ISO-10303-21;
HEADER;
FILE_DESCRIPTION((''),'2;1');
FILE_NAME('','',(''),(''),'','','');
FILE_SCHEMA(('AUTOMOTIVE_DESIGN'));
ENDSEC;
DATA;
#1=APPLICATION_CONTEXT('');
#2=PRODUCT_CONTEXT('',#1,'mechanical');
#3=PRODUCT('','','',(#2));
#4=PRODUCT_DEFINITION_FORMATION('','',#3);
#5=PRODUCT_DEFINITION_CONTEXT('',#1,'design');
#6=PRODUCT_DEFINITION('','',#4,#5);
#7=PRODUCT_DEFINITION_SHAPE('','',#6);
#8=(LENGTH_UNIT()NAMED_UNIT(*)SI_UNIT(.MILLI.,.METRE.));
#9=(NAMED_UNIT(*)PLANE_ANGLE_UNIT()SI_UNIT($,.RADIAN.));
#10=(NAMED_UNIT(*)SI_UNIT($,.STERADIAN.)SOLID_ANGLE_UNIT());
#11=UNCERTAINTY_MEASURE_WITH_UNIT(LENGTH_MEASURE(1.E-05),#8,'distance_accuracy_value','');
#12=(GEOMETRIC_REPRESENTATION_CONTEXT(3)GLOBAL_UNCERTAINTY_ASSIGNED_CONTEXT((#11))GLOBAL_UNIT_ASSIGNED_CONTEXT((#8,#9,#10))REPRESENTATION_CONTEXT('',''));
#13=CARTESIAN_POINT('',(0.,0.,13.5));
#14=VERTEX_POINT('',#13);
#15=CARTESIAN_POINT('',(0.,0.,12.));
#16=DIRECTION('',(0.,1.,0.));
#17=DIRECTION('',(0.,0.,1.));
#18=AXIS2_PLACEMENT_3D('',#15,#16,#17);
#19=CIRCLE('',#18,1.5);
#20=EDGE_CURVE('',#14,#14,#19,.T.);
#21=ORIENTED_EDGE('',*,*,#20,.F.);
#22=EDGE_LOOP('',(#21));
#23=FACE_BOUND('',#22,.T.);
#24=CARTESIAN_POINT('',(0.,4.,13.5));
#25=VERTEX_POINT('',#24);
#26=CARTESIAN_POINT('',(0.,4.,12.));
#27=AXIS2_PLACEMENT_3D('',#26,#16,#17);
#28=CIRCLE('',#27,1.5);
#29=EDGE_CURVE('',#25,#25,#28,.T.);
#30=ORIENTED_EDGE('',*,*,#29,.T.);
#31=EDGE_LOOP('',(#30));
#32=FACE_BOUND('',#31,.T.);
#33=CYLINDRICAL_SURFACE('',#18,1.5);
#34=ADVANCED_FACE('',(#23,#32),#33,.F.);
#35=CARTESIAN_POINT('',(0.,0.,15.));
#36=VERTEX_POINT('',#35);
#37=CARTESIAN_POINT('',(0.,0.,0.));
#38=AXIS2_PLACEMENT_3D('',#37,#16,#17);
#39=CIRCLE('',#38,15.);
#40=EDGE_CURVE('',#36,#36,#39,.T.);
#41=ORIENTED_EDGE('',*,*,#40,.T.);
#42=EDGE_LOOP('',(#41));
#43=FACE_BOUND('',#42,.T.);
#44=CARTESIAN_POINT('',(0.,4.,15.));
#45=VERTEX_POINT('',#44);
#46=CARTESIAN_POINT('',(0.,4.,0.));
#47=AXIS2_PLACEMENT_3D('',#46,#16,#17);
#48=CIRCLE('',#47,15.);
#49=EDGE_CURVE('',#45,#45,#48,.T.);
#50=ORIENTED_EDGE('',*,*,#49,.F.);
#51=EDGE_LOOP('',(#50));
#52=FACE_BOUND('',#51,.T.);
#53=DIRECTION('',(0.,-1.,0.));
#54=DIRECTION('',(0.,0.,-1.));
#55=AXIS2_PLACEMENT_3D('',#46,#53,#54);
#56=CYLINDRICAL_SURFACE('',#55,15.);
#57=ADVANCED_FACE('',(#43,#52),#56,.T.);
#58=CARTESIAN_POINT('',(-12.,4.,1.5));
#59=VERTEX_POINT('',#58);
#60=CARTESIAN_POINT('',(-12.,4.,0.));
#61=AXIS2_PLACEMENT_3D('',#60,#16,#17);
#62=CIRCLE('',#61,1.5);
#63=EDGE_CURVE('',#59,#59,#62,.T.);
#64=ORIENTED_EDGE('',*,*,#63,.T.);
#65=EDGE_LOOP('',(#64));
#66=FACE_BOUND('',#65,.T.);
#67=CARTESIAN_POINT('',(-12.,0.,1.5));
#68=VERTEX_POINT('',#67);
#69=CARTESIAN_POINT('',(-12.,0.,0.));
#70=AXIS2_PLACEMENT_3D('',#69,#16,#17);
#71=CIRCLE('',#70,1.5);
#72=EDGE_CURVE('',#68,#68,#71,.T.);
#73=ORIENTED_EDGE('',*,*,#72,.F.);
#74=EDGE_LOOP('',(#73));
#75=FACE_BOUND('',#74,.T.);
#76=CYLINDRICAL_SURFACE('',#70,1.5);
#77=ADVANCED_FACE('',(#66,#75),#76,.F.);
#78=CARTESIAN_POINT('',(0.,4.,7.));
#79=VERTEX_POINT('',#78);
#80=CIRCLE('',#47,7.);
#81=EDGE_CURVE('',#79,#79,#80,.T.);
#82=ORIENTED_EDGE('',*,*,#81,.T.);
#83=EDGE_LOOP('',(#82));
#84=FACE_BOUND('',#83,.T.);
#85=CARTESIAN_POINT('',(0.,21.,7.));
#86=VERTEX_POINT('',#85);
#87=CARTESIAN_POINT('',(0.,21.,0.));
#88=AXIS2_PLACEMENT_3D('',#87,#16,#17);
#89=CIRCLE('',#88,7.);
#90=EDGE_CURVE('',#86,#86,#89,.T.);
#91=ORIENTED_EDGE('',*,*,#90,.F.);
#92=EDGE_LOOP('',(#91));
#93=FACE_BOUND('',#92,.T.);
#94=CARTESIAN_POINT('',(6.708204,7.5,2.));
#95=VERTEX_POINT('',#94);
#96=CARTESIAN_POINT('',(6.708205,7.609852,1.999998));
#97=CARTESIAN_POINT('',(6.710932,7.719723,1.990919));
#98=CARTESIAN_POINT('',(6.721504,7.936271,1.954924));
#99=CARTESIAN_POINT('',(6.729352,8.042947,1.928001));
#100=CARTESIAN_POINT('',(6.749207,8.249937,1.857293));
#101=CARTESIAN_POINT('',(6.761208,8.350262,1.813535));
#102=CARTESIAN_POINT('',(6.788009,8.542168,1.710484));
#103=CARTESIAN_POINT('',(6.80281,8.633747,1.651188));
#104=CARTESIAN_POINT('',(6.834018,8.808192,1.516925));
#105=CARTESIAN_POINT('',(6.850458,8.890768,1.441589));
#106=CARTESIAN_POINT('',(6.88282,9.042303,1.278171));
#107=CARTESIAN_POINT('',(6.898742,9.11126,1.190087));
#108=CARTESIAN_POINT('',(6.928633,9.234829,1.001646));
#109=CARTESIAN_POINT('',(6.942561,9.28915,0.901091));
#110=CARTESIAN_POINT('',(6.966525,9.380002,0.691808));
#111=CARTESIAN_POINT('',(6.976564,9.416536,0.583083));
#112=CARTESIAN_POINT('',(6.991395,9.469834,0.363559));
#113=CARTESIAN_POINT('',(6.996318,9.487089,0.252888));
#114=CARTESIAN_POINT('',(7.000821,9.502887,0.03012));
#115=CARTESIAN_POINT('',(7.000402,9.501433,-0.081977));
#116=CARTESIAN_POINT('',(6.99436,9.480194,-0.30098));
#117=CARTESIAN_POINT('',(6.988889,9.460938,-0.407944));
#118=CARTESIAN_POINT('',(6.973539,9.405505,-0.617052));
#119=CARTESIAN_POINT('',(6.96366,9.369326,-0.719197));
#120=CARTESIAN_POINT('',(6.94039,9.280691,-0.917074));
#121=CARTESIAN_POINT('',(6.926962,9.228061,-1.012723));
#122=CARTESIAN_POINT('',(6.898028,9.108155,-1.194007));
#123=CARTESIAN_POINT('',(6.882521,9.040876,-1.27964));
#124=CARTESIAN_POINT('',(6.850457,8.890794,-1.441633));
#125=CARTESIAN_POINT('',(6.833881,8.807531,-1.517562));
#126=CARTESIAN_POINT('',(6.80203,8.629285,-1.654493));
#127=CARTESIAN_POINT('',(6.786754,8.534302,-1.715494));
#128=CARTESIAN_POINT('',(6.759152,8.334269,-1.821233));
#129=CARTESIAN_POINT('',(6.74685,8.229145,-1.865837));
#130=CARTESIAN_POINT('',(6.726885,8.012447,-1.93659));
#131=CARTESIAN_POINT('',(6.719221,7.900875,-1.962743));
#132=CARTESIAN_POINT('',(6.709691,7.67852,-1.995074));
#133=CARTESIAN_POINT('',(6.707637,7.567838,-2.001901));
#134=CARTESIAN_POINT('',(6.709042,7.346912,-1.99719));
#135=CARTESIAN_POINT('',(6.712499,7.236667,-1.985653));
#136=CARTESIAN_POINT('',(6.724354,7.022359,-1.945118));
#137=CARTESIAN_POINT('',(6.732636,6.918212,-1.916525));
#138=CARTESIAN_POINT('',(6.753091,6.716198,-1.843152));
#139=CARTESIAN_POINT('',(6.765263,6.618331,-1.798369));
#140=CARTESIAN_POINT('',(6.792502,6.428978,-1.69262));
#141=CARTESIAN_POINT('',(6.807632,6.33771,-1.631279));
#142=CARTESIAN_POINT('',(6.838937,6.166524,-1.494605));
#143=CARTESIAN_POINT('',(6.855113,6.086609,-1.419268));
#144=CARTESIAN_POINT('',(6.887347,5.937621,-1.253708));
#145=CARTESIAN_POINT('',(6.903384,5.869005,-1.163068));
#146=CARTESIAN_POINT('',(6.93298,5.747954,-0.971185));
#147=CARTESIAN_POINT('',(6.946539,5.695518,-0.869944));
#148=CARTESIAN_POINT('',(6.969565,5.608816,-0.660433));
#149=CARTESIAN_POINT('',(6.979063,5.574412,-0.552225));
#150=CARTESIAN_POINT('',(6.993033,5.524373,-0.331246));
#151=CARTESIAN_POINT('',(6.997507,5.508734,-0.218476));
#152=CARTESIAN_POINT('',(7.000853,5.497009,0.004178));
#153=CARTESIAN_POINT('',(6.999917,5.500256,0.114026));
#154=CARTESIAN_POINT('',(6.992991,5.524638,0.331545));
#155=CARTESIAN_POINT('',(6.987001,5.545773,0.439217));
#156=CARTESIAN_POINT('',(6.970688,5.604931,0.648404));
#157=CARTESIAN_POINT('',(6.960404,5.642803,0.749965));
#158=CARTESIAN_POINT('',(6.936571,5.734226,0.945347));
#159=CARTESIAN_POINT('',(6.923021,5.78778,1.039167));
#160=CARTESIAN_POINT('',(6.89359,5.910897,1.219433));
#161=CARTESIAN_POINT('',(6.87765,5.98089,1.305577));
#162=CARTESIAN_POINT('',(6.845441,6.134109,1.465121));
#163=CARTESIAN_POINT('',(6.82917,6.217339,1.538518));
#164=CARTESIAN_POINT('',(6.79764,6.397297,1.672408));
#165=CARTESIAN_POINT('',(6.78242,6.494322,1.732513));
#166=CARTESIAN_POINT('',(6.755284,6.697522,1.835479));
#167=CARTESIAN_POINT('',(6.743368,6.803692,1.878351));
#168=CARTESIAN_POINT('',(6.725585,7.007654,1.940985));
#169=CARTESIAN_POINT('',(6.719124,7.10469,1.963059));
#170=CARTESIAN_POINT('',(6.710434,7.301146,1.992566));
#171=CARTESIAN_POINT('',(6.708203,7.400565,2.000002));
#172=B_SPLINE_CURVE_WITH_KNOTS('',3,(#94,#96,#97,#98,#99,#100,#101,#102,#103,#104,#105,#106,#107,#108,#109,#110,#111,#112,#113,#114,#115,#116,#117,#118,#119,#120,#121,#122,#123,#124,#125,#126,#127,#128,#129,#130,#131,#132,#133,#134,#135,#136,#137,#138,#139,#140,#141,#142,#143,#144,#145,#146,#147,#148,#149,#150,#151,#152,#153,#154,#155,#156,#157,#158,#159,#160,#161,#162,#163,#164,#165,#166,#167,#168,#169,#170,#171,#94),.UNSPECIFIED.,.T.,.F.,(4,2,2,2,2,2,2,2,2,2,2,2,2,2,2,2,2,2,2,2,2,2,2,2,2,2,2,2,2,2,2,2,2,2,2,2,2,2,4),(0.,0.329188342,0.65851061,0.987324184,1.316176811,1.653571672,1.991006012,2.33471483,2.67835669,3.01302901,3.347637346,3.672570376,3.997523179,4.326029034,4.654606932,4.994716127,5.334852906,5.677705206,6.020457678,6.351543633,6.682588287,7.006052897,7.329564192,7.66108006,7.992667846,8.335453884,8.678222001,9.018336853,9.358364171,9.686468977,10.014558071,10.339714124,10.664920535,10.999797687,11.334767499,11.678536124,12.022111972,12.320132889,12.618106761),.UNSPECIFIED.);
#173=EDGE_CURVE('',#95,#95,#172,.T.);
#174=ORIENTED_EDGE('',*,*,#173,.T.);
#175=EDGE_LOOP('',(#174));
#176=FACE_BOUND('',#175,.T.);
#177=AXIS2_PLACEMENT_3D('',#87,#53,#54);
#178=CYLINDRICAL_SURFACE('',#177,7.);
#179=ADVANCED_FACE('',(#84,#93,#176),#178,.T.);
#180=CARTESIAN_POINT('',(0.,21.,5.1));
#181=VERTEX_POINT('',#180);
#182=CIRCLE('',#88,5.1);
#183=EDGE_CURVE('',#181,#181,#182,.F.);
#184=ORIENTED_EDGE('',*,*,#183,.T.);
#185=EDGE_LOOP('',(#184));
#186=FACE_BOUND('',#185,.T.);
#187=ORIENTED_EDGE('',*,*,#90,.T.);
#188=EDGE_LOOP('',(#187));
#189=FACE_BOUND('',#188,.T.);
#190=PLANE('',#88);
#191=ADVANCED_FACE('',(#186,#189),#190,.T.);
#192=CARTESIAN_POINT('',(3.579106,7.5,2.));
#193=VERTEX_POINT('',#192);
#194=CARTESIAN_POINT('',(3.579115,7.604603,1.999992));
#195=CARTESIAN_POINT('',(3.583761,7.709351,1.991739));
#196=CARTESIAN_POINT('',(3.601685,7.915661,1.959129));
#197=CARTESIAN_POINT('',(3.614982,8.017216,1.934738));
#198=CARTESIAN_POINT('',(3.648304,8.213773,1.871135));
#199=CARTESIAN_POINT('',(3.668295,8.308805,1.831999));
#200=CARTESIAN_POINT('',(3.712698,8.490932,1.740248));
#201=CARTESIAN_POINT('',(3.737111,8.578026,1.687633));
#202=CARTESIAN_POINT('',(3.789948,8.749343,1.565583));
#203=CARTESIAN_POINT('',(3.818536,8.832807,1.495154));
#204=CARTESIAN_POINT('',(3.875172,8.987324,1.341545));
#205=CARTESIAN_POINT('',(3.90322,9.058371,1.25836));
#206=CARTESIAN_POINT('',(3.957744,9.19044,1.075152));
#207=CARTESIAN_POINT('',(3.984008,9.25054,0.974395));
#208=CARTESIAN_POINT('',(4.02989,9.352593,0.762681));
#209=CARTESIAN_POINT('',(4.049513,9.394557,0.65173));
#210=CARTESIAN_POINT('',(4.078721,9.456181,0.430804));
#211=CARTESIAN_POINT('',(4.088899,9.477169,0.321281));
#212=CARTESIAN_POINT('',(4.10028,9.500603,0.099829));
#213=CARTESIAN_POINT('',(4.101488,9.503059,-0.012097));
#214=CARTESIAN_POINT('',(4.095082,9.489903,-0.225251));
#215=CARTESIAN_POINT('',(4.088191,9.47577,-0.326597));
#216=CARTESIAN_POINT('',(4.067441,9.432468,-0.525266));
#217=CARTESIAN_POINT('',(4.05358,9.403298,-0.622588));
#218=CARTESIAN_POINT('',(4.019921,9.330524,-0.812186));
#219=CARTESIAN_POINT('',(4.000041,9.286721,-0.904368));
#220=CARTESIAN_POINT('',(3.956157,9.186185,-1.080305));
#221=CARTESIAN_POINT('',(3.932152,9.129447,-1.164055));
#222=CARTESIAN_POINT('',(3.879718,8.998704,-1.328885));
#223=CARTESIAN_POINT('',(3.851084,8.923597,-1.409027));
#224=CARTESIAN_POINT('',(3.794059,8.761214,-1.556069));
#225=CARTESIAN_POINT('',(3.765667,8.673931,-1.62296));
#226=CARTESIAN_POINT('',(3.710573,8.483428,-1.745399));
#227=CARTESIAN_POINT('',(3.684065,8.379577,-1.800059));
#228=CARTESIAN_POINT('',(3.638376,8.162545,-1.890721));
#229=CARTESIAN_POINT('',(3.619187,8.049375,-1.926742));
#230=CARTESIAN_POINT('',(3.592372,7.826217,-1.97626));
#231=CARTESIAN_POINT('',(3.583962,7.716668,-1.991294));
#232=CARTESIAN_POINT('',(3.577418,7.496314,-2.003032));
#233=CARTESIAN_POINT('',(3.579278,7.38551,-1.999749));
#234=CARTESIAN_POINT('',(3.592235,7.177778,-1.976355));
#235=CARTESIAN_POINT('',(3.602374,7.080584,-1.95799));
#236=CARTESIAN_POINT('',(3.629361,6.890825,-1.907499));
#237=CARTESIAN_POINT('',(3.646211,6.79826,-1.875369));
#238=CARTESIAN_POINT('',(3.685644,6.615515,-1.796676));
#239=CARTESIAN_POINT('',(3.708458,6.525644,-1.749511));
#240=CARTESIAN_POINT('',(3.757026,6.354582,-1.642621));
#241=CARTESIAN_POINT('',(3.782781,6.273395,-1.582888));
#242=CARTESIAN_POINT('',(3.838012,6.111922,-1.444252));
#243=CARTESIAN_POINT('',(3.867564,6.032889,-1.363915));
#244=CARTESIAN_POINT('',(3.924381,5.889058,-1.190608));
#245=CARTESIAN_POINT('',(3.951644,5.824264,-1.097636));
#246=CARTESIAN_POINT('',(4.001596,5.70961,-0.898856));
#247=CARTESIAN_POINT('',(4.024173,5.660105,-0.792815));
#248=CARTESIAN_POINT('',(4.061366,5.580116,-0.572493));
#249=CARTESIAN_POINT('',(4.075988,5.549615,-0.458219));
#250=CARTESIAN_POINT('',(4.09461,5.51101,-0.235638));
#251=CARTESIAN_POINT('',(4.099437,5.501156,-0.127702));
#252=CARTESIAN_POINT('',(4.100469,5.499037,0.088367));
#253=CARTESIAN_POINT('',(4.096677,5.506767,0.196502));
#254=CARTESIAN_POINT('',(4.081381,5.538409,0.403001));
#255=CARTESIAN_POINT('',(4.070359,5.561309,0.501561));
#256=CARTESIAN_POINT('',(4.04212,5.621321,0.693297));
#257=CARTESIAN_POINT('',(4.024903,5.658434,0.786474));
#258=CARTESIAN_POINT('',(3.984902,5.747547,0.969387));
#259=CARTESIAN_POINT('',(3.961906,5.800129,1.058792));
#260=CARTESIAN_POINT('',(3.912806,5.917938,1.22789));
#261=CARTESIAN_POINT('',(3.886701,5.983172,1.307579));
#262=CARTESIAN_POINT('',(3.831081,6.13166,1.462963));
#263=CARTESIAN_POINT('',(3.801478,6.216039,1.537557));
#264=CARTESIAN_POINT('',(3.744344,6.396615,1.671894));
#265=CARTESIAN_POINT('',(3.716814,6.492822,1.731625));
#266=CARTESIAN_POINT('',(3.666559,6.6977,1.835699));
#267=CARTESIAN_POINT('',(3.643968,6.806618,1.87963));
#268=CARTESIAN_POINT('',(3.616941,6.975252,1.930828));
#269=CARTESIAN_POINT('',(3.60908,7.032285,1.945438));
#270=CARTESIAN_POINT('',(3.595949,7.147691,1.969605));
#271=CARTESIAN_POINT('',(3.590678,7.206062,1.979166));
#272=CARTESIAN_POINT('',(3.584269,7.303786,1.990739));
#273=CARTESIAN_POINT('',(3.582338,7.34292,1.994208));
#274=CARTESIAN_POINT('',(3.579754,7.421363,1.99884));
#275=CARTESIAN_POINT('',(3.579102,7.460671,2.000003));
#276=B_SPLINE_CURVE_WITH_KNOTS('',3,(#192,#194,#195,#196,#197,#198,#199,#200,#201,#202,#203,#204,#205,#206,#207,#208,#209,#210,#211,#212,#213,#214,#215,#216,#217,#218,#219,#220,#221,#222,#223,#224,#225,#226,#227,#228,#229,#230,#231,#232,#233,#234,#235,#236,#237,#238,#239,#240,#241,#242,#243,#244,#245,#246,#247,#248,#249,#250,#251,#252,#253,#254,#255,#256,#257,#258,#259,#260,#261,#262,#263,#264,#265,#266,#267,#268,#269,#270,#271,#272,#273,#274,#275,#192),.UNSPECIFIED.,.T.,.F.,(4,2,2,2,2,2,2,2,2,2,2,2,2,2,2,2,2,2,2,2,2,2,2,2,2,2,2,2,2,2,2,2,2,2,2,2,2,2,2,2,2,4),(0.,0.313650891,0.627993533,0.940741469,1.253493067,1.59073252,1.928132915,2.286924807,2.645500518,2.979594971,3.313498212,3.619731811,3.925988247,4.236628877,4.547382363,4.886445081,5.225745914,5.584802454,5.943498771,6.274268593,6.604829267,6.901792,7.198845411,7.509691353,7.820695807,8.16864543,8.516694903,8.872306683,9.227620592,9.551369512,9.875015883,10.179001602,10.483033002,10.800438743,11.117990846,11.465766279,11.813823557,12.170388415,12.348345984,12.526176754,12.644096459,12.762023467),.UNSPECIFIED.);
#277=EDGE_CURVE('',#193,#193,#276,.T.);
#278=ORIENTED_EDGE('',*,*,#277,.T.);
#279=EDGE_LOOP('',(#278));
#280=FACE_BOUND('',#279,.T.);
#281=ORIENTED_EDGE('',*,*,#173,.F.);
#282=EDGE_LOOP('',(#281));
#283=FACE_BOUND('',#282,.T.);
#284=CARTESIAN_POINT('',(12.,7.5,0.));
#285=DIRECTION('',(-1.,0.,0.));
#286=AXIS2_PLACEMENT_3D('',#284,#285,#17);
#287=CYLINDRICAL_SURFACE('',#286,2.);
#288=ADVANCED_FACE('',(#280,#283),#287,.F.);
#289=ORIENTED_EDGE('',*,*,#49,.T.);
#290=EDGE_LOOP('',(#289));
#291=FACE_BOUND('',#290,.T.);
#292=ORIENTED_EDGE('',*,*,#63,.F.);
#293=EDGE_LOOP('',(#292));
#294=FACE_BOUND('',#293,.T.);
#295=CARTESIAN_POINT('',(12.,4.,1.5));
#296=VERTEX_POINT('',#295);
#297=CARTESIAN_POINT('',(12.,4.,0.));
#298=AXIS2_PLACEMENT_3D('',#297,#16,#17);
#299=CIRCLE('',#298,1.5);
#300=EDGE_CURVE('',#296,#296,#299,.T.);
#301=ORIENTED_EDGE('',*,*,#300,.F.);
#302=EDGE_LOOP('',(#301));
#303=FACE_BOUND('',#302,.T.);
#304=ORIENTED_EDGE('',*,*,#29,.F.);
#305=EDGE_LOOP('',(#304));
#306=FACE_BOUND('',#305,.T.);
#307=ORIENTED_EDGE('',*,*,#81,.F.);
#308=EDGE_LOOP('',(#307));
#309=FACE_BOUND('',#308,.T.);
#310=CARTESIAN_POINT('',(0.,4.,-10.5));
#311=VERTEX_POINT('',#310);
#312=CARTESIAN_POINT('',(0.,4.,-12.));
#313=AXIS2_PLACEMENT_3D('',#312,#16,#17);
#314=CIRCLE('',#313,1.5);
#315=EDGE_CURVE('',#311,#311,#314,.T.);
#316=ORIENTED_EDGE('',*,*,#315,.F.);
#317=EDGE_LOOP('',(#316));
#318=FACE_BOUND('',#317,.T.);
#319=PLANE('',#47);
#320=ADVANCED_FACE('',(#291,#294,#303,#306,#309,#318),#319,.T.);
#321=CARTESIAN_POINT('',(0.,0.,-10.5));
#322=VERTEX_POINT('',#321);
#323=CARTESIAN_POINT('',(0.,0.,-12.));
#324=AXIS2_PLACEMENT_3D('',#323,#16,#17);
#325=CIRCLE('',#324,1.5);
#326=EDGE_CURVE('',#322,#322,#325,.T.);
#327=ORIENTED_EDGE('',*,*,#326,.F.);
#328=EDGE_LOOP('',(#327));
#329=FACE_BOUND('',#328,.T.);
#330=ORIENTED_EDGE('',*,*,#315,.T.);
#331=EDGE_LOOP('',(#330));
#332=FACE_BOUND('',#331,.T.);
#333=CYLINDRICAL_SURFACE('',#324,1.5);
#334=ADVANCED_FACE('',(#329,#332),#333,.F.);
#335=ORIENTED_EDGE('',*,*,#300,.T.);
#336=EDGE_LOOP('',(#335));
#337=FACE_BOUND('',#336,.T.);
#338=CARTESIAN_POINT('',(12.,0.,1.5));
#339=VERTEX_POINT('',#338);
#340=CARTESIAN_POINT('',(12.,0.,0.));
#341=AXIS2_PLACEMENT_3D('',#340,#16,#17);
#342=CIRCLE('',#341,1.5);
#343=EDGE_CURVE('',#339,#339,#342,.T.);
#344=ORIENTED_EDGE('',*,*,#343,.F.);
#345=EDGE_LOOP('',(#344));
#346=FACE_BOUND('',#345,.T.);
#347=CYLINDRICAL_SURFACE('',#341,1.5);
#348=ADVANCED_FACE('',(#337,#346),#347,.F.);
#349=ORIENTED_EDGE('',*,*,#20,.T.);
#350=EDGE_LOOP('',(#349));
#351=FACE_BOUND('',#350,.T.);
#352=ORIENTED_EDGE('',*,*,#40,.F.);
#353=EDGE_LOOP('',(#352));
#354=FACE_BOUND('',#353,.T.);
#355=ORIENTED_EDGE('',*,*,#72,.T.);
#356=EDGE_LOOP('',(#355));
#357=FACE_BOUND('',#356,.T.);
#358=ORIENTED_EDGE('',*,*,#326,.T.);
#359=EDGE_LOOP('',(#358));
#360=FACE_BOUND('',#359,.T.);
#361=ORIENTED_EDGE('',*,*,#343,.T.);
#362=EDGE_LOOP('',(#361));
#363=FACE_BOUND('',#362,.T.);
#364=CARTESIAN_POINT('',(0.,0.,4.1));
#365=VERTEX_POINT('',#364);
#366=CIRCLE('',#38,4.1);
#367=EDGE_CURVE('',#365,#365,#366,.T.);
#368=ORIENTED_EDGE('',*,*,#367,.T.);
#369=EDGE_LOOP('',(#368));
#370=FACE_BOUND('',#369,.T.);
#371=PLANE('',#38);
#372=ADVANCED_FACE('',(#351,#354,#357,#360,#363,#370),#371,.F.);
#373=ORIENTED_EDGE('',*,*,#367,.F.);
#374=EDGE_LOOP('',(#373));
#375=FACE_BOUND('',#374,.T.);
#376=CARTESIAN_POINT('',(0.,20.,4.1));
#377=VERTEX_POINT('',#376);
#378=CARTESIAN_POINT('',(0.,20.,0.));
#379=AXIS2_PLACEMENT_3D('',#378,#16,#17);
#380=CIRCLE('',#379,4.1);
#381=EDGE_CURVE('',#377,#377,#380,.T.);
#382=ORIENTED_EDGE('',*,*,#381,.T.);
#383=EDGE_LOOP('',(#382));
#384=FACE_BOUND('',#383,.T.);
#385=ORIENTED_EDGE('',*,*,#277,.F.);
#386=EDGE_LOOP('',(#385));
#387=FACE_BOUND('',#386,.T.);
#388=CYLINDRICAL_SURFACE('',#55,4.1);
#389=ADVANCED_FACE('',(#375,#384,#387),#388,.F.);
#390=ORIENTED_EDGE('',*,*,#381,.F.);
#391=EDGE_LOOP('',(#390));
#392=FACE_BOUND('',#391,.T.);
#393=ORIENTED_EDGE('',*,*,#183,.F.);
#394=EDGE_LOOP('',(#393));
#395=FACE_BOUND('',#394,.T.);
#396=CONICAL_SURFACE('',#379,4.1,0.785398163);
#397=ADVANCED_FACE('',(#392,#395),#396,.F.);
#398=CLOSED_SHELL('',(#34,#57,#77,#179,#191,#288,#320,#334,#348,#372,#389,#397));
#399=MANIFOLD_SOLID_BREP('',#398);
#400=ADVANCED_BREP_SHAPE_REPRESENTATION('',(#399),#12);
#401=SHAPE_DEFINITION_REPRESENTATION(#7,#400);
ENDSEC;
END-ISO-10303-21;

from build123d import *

# Parameters (mm, degrees)
SKETCH_1_R          = 15
SKETCH_1_R_2        = 4.1
EXTRUDE_1_DEPTH     = 4
SKETCH_2_R          = 7
SKETCH_2_R_2        = 4.1
EXTRUDE_2_DEPTH     = 17
SKETCH_5_R          = 2
CUT_EXTRUDE_1_DEPTH = 12
SKETCH_7_R          = 1.5
CUT_EXTRUDE_3_DEPTH = 4
CHAMFER_1_SIZE      = 1


with BuildPart() as part:
    # 草图1 → 凸台-拉伸1 (new body)
    with BuildSketch(Plane(origin=(0, 0, 0), x_dir=(1, 0, 0), z_dir=(0, 1, 0))):
        Circle(SKETCH_1_R)
        Circle(SKETCH_1_R_2, mode=Mode.SUBTRACT)
    extrude(amount=EXTRUDE_1_DEPTH)

    # 草图2 → 凸台-拉伸2 (add)
    with BuildSketch(Plane(origin=(0, 4, 0), x_dir=(1, 0, 0), z_dir=(0, 1, 0))):
        Circle(SKETCH_2_R)
        Circle(SKETCH_2_R_2, mode=Mode.SUBTRACT)
    extrude(amount=EXTRUDE_2_DEPTH)

    # 草图5 → 切除-拉伸1 (cut)
    with BuildSketch(Plane.ZY):
        with Locations((0, 7.5)):
            Circle(SKETCH_5_R)
    extrude(amount=-CUT_EXTRUDE_1_DEPTH, mode=Mode.SUBTRACT)

    # 草图7 → 切除-拉伸3 (cut)
    with BuildSketch(Plane(origin=(0, 4, 0), x_dir=(1, 0, 0), z_dir=(0, 1, 0))):
        with Locations((0, -12)):
            Circle(SKETCH_7_R)
        with Locations((-12, 0)):
            Circle(SKETCH_7_R)
        with Locations((0, 12)):
            Circle(SKETCH_7_R)
        with Locations((12, 0)):
            Circle(SKETCH_7_R)
    extrude(amount=-CUT_EXTRUDE_3_DEPTH, mode=Mode.SUBTRACT)

    # 倒角1
    chamfer_1_edges = [part.edges().sort_by_distance(p)[0] for p in [
        (-4.1, 21, 0),
    ]]
    chamfer(chamfer_1_edges, length=CHAMFER_1_SIZE)


solid = part.part
